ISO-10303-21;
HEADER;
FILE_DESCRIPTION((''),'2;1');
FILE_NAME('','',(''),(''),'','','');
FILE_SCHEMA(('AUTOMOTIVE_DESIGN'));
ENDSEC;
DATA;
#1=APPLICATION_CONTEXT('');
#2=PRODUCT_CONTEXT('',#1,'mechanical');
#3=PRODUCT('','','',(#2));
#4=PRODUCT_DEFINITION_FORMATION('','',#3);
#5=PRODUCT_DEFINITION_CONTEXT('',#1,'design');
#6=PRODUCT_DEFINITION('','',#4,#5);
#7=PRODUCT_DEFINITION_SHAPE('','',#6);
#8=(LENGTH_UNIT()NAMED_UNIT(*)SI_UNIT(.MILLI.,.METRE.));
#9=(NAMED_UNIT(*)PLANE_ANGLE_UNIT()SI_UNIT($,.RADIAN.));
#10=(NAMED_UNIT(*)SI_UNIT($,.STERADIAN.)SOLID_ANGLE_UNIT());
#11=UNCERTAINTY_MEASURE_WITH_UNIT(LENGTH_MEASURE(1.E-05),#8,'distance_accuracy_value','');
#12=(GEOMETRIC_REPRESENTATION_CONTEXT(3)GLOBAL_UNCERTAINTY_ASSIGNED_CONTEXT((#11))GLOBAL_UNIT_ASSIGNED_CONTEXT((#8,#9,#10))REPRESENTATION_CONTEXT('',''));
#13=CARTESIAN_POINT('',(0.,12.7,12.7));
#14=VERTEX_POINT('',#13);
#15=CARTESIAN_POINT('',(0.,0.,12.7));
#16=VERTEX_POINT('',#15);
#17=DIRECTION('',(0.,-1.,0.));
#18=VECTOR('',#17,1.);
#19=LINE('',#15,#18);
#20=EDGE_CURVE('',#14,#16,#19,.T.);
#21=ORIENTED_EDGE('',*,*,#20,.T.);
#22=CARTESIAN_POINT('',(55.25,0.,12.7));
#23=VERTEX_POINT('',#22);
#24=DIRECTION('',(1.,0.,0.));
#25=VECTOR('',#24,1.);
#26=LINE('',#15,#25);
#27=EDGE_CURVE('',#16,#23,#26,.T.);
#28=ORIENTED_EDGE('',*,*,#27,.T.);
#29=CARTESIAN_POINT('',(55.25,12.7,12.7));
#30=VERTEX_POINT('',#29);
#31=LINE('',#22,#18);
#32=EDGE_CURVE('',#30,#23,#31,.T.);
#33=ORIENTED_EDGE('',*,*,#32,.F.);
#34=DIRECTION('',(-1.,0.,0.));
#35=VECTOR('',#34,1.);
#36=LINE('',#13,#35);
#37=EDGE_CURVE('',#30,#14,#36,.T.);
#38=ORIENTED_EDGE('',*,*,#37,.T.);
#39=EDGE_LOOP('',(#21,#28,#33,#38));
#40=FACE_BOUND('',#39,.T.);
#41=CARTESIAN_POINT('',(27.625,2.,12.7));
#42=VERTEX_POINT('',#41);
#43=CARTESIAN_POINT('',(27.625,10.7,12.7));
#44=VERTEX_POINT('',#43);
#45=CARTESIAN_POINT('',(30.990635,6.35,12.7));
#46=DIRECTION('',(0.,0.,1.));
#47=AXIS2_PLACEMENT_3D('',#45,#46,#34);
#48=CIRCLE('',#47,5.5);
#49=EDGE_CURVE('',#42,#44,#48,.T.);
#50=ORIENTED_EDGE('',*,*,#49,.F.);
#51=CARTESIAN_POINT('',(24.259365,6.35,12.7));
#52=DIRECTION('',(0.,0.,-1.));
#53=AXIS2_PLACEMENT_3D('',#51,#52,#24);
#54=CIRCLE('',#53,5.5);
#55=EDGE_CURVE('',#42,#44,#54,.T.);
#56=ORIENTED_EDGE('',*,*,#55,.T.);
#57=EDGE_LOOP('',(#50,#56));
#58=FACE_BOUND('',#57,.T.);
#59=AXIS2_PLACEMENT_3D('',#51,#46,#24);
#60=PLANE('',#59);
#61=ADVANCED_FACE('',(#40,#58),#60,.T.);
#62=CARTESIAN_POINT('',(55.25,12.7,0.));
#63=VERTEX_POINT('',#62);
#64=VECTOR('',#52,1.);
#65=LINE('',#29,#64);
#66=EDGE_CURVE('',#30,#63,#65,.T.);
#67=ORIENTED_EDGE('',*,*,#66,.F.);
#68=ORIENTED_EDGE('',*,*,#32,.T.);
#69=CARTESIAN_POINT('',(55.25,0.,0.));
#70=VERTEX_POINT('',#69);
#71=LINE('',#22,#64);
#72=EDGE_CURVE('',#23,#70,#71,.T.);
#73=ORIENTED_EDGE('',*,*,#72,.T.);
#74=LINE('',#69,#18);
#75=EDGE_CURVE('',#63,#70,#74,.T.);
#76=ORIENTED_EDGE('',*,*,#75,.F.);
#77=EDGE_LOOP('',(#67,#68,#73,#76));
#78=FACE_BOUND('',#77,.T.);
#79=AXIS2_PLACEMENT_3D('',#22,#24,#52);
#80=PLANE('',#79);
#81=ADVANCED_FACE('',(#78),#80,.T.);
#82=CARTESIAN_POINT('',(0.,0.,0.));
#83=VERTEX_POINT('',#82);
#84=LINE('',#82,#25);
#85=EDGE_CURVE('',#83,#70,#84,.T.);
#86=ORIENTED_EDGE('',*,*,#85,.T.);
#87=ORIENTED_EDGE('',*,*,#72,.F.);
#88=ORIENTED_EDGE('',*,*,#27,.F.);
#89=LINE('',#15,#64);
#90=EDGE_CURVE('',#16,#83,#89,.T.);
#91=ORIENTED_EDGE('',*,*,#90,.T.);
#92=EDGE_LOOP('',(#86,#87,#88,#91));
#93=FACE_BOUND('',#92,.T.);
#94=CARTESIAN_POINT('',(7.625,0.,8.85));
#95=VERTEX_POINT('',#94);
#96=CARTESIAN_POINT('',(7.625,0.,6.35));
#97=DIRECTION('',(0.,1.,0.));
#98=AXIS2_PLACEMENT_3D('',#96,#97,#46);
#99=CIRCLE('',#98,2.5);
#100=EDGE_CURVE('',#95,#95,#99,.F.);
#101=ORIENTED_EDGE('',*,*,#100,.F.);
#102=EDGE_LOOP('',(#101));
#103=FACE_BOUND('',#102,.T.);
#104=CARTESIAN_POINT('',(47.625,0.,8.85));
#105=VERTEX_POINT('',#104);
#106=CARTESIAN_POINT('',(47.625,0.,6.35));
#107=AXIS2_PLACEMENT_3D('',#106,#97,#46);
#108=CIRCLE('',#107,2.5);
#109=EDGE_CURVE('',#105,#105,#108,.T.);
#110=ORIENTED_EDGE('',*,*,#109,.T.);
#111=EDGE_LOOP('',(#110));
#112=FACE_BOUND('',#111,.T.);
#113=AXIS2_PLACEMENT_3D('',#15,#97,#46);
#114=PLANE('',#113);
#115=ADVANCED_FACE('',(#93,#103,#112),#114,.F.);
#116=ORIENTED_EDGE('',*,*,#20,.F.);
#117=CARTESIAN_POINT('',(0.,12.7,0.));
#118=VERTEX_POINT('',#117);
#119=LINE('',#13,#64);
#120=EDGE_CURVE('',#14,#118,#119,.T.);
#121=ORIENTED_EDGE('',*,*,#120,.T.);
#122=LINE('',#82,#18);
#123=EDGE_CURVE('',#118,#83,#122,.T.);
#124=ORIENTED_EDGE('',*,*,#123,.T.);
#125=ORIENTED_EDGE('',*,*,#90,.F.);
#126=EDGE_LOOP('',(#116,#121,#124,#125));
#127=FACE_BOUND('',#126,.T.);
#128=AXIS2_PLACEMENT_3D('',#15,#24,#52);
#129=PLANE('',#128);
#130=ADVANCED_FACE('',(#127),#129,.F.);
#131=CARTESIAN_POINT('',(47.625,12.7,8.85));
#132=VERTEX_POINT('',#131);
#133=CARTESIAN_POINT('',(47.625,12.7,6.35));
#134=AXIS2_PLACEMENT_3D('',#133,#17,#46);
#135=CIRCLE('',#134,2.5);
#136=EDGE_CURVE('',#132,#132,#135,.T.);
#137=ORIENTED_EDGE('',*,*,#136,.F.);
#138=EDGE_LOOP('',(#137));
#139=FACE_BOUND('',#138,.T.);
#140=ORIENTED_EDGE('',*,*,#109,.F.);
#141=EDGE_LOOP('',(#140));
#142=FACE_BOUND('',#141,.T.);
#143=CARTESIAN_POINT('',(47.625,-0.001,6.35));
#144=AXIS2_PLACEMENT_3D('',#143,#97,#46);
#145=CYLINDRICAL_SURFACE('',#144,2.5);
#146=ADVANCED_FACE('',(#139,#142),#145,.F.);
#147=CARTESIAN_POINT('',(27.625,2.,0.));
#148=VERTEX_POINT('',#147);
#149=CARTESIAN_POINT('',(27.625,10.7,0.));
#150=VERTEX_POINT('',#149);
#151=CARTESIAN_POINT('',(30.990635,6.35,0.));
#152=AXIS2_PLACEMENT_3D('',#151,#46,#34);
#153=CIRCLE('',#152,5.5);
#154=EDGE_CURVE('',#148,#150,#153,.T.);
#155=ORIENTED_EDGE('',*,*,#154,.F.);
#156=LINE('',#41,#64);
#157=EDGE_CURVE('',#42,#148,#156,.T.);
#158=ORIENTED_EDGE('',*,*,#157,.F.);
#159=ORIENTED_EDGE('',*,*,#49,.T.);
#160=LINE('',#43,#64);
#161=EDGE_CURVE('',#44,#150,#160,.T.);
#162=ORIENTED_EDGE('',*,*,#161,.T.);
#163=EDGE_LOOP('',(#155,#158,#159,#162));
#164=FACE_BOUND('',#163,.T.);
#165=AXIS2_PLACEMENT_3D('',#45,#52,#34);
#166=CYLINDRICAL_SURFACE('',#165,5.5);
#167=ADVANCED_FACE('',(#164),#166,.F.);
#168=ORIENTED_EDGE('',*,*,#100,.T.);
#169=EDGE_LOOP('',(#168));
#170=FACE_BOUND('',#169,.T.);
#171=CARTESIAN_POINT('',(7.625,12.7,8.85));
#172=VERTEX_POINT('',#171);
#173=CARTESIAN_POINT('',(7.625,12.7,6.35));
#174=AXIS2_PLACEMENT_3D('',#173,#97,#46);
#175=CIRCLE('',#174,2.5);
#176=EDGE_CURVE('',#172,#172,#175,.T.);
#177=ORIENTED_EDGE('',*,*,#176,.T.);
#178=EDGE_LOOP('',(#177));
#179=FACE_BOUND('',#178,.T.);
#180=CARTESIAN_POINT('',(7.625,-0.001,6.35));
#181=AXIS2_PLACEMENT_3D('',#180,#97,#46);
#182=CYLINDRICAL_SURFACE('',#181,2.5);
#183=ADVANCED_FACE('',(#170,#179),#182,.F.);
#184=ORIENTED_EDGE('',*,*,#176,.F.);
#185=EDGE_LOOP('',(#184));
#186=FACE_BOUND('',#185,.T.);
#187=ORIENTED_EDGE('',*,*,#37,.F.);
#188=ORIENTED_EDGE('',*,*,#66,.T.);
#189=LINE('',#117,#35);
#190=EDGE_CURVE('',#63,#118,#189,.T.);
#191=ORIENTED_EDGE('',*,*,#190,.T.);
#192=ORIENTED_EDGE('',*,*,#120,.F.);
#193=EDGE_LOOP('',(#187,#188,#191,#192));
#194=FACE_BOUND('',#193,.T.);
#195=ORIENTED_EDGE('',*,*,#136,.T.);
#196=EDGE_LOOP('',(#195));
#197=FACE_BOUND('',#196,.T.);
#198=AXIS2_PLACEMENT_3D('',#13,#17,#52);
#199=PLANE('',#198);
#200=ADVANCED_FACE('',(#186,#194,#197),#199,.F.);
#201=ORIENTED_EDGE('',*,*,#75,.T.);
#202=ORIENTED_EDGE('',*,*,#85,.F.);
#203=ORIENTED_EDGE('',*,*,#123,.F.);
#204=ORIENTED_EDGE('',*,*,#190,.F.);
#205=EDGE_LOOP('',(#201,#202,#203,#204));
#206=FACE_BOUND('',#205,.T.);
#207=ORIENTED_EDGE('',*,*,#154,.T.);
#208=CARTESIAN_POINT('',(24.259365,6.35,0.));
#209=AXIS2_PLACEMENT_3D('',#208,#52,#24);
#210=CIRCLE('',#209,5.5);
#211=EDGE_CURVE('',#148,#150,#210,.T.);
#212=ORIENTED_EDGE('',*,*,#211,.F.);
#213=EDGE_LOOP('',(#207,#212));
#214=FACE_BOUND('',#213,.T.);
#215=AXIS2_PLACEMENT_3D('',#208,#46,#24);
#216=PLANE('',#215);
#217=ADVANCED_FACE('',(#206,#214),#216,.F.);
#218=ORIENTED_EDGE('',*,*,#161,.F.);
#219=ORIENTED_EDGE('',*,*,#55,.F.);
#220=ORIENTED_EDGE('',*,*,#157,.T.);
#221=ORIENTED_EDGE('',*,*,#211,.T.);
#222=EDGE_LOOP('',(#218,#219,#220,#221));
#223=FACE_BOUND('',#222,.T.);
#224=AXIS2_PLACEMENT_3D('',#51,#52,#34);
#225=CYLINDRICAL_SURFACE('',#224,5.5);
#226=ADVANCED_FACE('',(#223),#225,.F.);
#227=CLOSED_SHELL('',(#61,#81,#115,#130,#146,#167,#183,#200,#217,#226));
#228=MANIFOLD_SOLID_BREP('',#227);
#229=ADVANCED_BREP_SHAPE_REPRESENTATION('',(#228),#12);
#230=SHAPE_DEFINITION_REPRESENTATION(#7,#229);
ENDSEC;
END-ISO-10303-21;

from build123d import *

# Parameters (mm, degrees)
BOSS_EXTRU_2_DEPTH      = 12.7
ESQUISSE3_R             = 2.5
ENL_V_MAT_EXTRU_1_DEPTH = 12.7


with BuildPart() as part:
    # Esquisse1 → Boss.-Extru.2 (new body)
    with BuildSketch(Plane.XY):
        with BuildLine():
            Line((0, 0), (27.625, 0))
            Line((27.625, 0), (27.625, 2))
            ThreePointArc((27.625, 2), (18.759364844, 6.35), (27.625, 10.7))
            Line((27.625, 10.7), (27.625, 12.7))
            Line((27.625, 12.7), (0, 12.7))
            Line((0, 12.7), (0, 0))
        make_face()
    boss_extru_2 = extrude(amount=BOSS_EXTRU_2_DEPTH)

    # Esquisse3 → Enlèv. mat.-Extru.1 (cut)
    with BuildSketch(Plane(origin=(0, 12.7, 0), x_dir=(1, 0, 0), z_dir=(0, 1, 0))):
        with Locations((7.625, -6.35)):
            Circle(ESQUISSE3_R)
    enl_v_mat_extru_1 = extrude(amount=-ENL_V_MAT_EXTRU_1_DEPTH, mode=Mode.SUBTRACT)

    # Symétrie1: Boss.-Extru.2, Enlèv. mat.-Extru.1 across plane
    add(boss_extru_2.mirror(Plane(origin=(27.625, 12.7, 12.7), x_dir=(0, 0, 1), z_dir=(-1, 0, 0))))
    add(enl_v_mat_extru_1.mirror(Plane(origin=(27.625, 12.7, 12.7), x_dir=(0, 0, 1), z_dir=(-1, 0, 0))), mode=Mode.SUBTRACT)


solid = part.part
